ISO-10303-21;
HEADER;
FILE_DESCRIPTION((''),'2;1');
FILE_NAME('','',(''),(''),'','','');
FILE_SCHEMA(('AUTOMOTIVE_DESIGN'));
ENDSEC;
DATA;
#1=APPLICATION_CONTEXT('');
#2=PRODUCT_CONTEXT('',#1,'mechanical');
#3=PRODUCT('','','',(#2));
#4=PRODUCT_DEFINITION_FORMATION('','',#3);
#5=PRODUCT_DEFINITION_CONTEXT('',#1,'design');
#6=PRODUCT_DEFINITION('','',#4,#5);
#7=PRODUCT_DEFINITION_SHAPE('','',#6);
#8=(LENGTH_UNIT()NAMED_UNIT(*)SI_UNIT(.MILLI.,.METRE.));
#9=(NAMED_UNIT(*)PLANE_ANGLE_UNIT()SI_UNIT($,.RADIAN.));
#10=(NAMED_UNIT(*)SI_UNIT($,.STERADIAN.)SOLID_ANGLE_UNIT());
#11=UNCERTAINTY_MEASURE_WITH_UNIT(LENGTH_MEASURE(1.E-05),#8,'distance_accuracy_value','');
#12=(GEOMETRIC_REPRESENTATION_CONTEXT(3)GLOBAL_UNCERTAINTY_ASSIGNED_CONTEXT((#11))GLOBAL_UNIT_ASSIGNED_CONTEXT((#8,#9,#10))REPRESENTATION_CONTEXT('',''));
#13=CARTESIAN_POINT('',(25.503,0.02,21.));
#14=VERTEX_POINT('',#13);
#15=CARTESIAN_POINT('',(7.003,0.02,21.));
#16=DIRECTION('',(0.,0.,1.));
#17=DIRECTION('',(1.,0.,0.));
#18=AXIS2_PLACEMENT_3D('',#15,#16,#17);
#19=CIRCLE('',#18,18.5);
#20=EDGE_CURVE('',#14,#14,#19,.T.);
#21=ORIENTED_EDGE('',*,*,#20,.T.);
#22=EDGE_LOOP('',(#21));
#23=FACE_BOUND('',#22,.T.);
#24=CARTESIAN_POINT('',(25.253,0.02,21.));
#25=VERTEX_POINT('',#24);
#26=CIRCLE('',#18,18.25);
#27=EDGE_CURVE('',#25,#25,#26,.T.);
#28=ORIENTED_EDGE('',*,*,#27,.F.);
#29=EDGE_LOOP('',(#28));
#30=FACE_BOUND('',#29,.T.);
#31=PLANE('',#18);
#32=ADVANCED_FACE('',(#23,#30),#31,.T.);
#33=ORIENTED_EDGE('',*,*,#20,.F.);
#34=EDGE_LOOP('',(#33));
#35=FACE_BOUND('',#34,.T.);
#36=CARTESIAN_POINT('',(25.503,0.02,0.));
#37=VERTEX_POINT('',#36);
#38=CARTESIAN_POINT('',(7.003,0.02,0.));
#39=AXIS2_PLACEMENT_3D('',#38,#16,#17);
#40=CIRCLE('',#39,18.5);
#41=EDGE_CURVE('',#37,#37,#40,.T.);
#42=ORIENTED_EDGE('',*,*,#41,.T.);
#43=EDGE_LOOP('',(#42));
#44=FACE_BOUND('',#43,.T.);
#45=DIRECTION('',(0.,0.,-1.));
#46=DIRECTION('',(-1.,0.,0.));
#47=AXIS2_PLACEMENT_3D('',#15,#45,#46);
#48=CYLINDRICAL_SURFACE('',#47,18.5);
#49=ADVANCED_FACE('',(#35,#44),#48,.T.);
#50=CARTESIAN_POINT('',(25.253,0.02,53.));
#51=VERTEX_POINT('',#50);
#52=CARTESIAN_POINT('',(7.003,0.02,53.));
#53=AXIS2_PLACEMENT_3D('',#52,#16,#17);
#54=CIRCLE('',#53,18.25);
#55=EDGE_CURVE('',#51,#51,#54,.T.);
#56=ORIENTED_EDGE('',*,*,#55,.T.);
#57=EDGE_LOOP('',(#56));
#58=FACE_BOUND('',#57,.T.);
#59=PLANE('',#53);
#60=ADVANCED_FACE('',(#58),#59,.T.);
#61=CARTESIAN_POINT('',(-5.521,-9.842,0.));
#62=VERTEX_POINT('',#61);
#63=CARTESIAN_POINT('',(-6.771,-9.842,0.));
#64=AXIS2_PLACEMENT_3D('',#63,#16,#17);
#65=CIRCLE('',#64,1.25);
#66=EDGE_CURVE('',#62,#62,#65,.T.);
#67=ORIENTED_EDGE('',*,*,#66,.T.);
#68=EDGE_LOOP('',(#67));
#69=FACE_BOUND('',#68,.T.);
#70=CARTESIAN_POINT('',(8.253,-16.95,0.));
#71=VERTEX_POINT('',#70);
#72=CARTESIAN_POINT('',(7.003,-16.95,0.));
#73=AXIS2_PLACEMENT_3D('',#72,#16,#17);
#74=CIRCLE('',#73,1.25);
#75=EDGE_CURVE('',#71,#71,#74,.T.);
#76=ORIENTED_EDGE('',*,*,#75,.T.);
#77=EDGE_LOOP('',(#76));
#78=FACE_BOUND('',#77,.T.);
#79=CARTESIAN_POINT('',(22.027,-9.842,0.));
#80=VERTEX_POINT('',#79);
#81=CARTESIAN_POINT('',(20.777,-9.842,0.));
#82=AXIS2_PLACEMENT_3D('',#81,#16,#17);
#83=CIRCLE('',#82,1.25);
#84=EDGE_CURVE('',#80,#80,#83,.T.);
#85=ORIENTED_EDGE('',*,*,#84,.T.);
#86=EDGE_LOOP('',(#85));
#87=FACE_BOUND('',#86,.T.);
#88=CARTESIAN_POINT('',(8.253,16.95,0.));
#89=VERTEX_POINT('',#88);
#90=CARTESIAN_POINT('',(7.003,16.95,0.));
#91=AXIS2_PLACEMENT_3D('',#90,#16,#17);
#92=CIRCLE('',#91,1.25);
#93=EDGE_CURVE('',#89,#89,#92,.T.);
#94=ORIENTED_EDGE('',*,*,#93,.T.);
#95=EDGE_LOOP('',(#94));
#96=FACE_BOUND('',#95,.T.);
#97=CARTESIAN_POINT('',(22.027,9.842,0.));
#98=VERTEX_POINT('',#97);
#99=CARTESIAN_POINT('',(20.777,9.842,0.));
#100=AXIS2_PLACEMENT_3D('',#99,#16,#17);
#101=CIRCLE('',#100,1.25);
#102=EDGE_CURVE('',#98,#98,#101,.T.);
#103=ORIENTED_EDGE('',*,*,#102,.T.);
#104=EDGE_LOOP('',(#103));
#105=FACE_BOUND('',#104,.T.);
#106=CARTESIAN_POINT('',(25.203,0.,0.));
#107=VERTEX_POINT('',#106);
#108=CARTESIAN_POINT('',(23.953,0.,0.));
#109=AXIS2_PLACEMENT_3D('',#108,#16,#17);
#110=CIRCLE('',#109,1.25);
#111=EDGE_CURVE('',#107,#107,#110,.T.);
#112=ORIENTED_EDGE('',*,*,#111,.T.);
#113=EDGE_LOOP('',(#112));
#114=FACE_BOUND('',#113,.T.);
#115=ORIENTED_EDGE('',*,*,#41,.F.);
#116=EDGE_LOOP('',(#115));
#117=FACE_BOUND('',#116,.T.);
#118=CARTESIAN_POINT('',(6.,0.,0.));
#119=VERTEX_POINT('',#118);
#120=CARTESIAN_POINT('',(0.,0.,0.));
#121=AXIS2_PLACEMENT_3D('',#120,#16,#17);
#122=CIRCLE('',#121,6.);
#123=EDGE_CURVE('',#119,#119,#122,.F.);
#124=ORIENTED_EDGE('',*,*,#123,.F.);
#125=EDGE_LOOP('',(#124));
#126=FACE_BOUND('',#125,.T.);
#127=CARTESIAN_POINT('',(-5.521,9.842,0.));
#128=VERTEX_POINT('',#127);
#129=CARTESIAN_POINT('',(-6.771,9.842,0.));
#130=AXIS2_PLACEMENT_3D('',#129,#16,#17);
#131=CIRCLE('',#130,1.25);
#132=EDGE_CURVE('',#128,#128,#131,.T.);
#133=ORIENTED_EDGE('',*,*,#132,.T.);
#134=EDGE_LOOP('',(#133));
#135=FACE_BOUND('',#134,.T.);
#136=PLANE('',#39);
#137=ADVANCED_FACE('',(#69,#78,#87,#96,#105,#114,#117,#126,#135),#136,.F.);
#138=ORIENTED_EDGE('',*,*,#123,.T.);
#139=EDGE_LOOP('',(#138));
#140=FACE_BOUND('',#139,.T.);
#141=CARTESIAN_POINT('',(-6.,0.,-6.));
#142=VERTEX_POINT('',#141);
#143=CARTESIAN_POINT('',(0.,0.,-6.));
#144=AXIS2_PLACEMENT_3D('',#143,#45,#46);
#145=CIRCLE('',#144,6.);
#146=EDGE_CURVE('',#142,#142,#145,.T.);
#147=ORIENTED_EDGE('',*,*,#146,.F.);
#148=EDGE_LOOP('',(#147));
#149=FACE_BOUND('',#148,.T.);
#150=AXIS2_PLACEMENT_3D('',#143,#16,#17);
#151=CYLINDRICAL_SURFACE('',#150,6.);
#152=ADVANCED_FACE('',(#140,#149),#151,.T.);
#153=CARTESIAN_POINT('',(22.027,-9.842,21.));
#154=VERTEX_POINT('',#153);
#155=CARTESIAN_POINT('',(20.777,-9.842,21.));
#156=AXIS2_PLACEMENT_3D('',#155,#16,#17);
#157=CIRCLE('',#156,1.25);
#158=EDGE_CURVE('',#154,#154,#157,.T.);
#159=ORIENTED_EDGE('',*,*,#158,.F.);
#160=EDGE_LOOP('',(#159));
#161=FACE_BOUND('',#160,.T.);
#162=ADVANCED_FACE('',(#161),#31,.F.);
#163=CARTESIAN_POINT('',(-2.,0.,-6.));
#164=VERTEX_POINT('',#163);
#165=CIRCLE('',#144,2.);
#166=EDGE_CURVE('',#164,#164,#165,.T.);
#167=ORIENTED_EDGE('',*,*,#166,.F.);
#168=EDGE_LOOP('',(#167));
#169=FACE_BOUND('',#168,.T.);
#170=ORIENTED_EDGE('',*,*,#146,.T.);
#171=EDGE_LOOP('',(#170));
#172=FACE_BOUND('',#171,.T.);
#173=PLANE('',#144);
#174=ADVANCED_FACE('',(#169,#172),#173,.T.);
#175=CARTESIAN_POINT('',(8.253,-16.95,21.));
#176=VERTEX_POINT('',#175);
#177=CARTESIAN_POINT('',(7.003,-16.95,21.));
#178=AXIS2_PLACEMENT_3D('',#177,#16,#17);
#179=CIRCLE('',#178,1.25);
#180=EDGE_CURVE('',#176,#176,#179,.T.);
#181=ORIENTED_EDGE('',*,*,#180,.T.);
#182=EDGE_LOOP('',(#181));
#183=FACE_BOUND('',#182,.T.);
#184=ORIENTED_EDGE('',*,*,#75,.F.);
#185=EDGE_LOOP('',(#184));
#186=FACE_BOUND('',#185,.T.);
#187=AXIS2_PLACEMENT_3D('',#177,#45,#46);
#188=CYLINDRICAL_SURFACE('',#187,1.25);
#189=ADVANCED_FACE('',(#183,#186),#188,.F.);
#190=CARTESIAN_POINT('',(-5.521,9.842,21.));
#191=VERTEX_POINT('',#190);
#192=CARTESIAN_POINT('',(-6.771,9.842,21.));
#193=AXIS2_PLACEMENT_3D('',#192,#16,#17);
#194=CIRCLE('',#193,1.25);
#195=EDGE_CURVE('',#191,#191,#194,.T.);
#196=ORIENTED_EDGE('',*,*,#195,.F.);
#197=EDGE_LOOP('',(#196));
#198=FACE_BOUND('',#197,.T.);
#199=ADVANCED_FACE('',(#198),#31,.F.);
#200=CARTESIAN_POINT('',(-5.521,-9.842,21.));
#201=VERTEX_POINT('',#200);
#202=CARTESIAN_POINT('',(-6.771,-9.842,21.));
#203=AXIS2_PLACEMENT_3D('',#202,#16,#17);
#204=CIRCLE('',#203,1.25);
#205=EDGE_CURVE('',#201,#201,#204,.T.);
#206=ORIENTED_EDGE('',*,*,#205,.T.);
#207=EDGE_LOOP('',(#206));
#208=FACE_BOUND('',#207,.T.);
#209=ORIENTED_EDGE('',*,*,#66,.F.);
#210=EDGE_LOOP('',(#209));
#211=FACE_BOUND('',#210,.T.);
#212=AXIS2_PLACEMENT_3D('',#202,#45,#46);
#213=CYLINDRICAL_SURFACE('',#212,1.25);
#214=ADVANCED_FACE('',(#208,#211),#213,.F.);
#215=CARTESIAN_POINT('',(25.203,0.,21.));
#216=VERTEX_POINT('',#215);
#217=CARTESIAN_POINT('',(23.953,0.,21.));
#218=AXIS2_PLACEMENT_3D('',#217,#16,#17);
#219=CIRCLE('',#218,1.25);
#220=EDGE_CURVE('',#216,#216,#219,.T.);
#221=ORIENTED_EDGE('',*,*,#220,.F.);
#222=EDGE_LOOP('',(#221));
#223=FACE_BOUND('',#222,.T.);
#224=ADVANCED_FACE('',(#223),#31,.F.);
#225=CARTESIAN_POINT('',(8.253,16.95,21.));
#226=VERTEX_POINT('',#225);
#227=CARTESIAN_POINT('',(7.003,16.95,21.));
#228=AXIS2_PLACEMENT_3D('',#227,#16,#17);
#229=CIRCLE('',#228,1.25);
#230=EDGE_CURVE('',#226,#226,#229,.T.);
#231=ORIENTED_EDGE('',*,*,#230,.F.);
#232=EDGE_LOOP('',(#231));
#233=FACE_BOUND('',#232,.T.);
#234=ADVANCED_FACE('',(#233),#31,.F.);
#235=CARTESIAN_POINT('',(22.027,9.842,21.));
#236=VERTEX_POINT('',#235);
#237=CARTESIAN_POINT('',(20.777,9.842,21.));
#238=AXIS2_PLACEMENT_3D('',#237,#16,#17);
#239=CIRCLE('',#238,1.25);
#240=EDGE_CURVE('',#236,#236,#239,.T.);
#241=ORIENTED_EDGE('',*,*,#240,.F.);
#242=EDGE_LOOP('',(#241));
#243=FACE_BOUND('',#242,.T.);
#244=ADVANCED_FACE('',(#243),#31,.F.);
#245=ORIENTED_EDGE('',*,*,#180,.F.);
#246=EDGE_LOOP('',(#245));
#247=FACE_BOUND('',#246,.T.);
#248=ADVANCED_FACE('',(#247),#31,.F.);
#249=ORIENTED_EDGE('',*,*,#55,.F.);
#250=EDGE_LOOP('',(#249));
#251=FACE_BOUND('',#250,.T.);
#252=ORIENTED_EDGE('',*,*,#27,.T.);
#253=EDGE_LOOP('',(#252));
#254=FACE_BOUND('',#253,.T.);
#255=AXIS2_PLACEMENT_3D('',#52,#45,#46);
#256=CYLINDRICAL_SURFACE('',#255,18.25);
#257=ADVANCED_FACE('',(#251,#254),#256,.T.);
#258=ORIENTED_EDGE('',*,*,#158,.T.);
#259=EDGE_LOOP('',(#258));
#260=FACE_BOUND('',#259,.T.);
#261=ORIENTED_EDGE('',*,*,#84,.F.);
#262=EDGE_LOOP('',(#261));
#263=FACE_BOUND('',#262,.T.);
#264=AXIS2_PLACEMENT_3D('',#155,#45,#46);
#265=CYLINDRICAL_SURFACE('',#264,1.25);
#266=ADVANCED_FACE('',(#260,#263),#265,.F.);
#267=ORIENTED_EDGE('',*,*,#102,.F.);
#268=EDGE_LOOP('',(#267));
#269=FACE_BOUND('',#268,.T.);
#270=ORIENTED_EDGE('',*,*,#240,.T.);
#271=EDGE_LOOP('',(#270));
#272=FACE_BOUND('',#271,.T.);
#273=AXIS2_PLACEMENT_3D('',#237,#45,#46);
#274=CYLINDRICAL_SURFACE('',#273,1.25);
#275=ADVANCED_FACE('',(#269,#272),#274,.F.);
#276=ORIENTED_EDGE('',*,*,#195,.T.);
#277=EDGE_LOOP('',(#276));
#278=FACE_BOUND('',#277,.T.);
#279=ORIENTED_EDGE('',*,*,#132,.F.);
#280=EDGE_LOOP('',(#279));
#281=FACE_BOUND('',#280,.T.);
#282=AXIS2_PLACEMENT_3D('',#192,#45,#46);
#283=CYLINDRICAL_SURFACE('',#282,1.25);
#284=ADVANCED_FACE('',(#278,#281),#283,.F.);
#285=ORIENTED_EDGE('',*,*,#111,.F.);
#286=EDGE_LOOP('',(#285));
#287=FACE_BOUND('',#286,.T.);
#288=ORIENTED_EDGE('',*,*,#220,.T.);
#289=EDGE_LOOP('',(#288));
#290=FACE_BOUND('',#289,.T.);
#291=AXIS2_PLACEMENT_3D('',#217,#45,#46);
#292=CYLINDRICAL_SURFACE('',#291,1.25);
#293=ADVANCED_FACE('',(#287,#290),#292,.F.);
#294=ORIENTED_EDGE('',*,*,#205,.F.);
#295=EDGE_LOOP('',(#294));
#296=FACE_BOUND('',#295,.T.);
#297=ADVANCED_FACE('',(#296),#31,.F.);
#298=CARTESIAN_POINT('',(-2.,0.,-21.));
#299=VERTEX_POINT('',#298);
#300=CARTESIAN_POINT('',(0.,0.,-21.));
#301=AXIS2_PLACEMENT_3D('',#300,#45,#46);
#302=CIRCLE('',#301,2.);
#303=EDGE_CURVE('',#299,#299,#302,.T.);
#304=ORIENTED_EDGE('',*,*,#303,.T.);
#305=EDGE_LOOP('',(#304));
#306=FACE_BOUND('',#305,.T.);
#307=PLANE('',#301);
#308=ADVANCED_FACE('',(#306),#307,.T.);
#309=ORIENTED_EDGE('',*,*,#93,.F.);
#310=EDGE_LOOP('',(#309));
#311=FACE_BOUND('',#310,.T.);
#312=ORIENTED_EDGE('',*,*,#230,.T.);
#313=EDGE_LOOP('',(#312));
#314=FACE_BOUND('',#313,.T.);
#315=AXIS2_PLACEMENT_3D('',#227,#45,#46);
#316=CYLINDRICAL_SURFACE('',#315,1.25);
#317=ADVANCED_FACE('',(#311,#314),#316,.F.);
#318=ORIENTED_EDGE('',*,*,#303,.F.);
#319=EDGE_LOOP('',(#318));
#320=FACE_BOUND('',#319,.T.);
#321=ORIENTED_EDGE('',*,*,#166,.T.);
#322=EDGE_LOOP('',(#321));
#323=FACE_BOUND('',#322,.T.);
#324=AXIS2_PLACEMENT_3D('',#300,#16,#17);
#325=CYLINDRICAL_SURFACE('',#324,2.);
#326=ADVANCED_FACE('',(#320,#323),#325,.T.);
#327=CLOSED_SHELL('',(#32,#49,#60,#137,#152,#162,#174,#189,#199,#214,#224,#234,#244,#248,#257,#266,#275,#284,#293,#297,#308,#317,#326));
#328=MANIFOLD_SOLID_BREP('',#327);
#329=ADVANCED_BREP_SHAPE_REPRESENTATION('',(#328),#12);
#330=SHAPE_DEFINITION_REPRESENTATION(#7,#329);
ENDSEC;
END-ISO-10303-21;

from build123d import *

# Parameters (mm, degrees)
MODEL_R                  = 18.5
MODEL_R_2                = 1.25
MODEL_R_3                = 6
RESSALTO_EXTRUS_O1_DEPTH = 21
ESBO_O2_R                = 18.25
RESSALTO_EXTRUS_O5_DEPTH = 32
ESBO_O3_R                = 6
RESSALTO_EXTRUS_O6_DEPTH = 27
ESBO_O4_R                = 2
RESSALTO_EXTRUS_O7_DEPTH = 15


with BuildPart() as part:
    # Model → Ressalto-extrusão1 (new body)
    with BuildSketch(Plane.XY):
        with Locations((7.003, 0.02)):
            Circle(MODEL_R)
        with Locations((20.777, -9.842)):
            Circle(MODEL_R_2, mode=Mode.SUBTRACT)
        with Locations((23.953, 0)):
            Circle(MODEL_R_2, mode=Mode.SUBTRACT)
        with Locations((20.777, 9.842)):
            Circle(MODEL_R_2, mode=Mode.SUBTRACT)
        with Locations((7.003, 16.95)):
            Circle(MODEL_R_2, mode=Mode.SUBTRACT)
        with Locations((-6.771, 9.842)):
            Circle(MODEL_R_2, mode=Mode.SUBTRACT)
        with Locations((-6.771, -9.842)):
            Circle(MODEL_R_2, mode=Mode.SUBTRACT)
        with Locations((7.003, -16.95)):
            Circle(MODEL_R_2, mode=Mode.SUBTRACT)
        Circle(MODEL_R_3, mode=Mode.SUBTRACT)
    extrude(amount=RESSALTO_EXTRUS_O1_DEPTH)

    # Esboço2 → Ressalto-extrusão5 (add)
    with BuildSketch(Plane.XY.offset(21)):
        with Locations((7.003, 0.02)):
            Circle(ESBO_O2_R)
    extrude(amount=RESSALTO_EXTRUS_O5_DEPTH)

    # Esboço3 → Ressalto-extrusão6 (add)
    with BuildSketch(Plane(origin=(0, 0, 21), x_dir=(-1, 0, 0), z_dir=(0, 0, -1))):
        Circle(ESBO_O3_R)
    extrude(amount=RESSALTO_EXTRUS_O6_DEPTH)

    # Esboço4 → Ressalto-extrusão7 (add)
    with BuildSketch(Plane(origin=(0, 0, -6), x_dir=(-1, 0, 0), z_dir=(0, 0, -1))):
        Circle(ESBO_O4_R)
    extrude(amount=RESSALTO_EXTRUS_O7_DEPTH)


solid = part.part
